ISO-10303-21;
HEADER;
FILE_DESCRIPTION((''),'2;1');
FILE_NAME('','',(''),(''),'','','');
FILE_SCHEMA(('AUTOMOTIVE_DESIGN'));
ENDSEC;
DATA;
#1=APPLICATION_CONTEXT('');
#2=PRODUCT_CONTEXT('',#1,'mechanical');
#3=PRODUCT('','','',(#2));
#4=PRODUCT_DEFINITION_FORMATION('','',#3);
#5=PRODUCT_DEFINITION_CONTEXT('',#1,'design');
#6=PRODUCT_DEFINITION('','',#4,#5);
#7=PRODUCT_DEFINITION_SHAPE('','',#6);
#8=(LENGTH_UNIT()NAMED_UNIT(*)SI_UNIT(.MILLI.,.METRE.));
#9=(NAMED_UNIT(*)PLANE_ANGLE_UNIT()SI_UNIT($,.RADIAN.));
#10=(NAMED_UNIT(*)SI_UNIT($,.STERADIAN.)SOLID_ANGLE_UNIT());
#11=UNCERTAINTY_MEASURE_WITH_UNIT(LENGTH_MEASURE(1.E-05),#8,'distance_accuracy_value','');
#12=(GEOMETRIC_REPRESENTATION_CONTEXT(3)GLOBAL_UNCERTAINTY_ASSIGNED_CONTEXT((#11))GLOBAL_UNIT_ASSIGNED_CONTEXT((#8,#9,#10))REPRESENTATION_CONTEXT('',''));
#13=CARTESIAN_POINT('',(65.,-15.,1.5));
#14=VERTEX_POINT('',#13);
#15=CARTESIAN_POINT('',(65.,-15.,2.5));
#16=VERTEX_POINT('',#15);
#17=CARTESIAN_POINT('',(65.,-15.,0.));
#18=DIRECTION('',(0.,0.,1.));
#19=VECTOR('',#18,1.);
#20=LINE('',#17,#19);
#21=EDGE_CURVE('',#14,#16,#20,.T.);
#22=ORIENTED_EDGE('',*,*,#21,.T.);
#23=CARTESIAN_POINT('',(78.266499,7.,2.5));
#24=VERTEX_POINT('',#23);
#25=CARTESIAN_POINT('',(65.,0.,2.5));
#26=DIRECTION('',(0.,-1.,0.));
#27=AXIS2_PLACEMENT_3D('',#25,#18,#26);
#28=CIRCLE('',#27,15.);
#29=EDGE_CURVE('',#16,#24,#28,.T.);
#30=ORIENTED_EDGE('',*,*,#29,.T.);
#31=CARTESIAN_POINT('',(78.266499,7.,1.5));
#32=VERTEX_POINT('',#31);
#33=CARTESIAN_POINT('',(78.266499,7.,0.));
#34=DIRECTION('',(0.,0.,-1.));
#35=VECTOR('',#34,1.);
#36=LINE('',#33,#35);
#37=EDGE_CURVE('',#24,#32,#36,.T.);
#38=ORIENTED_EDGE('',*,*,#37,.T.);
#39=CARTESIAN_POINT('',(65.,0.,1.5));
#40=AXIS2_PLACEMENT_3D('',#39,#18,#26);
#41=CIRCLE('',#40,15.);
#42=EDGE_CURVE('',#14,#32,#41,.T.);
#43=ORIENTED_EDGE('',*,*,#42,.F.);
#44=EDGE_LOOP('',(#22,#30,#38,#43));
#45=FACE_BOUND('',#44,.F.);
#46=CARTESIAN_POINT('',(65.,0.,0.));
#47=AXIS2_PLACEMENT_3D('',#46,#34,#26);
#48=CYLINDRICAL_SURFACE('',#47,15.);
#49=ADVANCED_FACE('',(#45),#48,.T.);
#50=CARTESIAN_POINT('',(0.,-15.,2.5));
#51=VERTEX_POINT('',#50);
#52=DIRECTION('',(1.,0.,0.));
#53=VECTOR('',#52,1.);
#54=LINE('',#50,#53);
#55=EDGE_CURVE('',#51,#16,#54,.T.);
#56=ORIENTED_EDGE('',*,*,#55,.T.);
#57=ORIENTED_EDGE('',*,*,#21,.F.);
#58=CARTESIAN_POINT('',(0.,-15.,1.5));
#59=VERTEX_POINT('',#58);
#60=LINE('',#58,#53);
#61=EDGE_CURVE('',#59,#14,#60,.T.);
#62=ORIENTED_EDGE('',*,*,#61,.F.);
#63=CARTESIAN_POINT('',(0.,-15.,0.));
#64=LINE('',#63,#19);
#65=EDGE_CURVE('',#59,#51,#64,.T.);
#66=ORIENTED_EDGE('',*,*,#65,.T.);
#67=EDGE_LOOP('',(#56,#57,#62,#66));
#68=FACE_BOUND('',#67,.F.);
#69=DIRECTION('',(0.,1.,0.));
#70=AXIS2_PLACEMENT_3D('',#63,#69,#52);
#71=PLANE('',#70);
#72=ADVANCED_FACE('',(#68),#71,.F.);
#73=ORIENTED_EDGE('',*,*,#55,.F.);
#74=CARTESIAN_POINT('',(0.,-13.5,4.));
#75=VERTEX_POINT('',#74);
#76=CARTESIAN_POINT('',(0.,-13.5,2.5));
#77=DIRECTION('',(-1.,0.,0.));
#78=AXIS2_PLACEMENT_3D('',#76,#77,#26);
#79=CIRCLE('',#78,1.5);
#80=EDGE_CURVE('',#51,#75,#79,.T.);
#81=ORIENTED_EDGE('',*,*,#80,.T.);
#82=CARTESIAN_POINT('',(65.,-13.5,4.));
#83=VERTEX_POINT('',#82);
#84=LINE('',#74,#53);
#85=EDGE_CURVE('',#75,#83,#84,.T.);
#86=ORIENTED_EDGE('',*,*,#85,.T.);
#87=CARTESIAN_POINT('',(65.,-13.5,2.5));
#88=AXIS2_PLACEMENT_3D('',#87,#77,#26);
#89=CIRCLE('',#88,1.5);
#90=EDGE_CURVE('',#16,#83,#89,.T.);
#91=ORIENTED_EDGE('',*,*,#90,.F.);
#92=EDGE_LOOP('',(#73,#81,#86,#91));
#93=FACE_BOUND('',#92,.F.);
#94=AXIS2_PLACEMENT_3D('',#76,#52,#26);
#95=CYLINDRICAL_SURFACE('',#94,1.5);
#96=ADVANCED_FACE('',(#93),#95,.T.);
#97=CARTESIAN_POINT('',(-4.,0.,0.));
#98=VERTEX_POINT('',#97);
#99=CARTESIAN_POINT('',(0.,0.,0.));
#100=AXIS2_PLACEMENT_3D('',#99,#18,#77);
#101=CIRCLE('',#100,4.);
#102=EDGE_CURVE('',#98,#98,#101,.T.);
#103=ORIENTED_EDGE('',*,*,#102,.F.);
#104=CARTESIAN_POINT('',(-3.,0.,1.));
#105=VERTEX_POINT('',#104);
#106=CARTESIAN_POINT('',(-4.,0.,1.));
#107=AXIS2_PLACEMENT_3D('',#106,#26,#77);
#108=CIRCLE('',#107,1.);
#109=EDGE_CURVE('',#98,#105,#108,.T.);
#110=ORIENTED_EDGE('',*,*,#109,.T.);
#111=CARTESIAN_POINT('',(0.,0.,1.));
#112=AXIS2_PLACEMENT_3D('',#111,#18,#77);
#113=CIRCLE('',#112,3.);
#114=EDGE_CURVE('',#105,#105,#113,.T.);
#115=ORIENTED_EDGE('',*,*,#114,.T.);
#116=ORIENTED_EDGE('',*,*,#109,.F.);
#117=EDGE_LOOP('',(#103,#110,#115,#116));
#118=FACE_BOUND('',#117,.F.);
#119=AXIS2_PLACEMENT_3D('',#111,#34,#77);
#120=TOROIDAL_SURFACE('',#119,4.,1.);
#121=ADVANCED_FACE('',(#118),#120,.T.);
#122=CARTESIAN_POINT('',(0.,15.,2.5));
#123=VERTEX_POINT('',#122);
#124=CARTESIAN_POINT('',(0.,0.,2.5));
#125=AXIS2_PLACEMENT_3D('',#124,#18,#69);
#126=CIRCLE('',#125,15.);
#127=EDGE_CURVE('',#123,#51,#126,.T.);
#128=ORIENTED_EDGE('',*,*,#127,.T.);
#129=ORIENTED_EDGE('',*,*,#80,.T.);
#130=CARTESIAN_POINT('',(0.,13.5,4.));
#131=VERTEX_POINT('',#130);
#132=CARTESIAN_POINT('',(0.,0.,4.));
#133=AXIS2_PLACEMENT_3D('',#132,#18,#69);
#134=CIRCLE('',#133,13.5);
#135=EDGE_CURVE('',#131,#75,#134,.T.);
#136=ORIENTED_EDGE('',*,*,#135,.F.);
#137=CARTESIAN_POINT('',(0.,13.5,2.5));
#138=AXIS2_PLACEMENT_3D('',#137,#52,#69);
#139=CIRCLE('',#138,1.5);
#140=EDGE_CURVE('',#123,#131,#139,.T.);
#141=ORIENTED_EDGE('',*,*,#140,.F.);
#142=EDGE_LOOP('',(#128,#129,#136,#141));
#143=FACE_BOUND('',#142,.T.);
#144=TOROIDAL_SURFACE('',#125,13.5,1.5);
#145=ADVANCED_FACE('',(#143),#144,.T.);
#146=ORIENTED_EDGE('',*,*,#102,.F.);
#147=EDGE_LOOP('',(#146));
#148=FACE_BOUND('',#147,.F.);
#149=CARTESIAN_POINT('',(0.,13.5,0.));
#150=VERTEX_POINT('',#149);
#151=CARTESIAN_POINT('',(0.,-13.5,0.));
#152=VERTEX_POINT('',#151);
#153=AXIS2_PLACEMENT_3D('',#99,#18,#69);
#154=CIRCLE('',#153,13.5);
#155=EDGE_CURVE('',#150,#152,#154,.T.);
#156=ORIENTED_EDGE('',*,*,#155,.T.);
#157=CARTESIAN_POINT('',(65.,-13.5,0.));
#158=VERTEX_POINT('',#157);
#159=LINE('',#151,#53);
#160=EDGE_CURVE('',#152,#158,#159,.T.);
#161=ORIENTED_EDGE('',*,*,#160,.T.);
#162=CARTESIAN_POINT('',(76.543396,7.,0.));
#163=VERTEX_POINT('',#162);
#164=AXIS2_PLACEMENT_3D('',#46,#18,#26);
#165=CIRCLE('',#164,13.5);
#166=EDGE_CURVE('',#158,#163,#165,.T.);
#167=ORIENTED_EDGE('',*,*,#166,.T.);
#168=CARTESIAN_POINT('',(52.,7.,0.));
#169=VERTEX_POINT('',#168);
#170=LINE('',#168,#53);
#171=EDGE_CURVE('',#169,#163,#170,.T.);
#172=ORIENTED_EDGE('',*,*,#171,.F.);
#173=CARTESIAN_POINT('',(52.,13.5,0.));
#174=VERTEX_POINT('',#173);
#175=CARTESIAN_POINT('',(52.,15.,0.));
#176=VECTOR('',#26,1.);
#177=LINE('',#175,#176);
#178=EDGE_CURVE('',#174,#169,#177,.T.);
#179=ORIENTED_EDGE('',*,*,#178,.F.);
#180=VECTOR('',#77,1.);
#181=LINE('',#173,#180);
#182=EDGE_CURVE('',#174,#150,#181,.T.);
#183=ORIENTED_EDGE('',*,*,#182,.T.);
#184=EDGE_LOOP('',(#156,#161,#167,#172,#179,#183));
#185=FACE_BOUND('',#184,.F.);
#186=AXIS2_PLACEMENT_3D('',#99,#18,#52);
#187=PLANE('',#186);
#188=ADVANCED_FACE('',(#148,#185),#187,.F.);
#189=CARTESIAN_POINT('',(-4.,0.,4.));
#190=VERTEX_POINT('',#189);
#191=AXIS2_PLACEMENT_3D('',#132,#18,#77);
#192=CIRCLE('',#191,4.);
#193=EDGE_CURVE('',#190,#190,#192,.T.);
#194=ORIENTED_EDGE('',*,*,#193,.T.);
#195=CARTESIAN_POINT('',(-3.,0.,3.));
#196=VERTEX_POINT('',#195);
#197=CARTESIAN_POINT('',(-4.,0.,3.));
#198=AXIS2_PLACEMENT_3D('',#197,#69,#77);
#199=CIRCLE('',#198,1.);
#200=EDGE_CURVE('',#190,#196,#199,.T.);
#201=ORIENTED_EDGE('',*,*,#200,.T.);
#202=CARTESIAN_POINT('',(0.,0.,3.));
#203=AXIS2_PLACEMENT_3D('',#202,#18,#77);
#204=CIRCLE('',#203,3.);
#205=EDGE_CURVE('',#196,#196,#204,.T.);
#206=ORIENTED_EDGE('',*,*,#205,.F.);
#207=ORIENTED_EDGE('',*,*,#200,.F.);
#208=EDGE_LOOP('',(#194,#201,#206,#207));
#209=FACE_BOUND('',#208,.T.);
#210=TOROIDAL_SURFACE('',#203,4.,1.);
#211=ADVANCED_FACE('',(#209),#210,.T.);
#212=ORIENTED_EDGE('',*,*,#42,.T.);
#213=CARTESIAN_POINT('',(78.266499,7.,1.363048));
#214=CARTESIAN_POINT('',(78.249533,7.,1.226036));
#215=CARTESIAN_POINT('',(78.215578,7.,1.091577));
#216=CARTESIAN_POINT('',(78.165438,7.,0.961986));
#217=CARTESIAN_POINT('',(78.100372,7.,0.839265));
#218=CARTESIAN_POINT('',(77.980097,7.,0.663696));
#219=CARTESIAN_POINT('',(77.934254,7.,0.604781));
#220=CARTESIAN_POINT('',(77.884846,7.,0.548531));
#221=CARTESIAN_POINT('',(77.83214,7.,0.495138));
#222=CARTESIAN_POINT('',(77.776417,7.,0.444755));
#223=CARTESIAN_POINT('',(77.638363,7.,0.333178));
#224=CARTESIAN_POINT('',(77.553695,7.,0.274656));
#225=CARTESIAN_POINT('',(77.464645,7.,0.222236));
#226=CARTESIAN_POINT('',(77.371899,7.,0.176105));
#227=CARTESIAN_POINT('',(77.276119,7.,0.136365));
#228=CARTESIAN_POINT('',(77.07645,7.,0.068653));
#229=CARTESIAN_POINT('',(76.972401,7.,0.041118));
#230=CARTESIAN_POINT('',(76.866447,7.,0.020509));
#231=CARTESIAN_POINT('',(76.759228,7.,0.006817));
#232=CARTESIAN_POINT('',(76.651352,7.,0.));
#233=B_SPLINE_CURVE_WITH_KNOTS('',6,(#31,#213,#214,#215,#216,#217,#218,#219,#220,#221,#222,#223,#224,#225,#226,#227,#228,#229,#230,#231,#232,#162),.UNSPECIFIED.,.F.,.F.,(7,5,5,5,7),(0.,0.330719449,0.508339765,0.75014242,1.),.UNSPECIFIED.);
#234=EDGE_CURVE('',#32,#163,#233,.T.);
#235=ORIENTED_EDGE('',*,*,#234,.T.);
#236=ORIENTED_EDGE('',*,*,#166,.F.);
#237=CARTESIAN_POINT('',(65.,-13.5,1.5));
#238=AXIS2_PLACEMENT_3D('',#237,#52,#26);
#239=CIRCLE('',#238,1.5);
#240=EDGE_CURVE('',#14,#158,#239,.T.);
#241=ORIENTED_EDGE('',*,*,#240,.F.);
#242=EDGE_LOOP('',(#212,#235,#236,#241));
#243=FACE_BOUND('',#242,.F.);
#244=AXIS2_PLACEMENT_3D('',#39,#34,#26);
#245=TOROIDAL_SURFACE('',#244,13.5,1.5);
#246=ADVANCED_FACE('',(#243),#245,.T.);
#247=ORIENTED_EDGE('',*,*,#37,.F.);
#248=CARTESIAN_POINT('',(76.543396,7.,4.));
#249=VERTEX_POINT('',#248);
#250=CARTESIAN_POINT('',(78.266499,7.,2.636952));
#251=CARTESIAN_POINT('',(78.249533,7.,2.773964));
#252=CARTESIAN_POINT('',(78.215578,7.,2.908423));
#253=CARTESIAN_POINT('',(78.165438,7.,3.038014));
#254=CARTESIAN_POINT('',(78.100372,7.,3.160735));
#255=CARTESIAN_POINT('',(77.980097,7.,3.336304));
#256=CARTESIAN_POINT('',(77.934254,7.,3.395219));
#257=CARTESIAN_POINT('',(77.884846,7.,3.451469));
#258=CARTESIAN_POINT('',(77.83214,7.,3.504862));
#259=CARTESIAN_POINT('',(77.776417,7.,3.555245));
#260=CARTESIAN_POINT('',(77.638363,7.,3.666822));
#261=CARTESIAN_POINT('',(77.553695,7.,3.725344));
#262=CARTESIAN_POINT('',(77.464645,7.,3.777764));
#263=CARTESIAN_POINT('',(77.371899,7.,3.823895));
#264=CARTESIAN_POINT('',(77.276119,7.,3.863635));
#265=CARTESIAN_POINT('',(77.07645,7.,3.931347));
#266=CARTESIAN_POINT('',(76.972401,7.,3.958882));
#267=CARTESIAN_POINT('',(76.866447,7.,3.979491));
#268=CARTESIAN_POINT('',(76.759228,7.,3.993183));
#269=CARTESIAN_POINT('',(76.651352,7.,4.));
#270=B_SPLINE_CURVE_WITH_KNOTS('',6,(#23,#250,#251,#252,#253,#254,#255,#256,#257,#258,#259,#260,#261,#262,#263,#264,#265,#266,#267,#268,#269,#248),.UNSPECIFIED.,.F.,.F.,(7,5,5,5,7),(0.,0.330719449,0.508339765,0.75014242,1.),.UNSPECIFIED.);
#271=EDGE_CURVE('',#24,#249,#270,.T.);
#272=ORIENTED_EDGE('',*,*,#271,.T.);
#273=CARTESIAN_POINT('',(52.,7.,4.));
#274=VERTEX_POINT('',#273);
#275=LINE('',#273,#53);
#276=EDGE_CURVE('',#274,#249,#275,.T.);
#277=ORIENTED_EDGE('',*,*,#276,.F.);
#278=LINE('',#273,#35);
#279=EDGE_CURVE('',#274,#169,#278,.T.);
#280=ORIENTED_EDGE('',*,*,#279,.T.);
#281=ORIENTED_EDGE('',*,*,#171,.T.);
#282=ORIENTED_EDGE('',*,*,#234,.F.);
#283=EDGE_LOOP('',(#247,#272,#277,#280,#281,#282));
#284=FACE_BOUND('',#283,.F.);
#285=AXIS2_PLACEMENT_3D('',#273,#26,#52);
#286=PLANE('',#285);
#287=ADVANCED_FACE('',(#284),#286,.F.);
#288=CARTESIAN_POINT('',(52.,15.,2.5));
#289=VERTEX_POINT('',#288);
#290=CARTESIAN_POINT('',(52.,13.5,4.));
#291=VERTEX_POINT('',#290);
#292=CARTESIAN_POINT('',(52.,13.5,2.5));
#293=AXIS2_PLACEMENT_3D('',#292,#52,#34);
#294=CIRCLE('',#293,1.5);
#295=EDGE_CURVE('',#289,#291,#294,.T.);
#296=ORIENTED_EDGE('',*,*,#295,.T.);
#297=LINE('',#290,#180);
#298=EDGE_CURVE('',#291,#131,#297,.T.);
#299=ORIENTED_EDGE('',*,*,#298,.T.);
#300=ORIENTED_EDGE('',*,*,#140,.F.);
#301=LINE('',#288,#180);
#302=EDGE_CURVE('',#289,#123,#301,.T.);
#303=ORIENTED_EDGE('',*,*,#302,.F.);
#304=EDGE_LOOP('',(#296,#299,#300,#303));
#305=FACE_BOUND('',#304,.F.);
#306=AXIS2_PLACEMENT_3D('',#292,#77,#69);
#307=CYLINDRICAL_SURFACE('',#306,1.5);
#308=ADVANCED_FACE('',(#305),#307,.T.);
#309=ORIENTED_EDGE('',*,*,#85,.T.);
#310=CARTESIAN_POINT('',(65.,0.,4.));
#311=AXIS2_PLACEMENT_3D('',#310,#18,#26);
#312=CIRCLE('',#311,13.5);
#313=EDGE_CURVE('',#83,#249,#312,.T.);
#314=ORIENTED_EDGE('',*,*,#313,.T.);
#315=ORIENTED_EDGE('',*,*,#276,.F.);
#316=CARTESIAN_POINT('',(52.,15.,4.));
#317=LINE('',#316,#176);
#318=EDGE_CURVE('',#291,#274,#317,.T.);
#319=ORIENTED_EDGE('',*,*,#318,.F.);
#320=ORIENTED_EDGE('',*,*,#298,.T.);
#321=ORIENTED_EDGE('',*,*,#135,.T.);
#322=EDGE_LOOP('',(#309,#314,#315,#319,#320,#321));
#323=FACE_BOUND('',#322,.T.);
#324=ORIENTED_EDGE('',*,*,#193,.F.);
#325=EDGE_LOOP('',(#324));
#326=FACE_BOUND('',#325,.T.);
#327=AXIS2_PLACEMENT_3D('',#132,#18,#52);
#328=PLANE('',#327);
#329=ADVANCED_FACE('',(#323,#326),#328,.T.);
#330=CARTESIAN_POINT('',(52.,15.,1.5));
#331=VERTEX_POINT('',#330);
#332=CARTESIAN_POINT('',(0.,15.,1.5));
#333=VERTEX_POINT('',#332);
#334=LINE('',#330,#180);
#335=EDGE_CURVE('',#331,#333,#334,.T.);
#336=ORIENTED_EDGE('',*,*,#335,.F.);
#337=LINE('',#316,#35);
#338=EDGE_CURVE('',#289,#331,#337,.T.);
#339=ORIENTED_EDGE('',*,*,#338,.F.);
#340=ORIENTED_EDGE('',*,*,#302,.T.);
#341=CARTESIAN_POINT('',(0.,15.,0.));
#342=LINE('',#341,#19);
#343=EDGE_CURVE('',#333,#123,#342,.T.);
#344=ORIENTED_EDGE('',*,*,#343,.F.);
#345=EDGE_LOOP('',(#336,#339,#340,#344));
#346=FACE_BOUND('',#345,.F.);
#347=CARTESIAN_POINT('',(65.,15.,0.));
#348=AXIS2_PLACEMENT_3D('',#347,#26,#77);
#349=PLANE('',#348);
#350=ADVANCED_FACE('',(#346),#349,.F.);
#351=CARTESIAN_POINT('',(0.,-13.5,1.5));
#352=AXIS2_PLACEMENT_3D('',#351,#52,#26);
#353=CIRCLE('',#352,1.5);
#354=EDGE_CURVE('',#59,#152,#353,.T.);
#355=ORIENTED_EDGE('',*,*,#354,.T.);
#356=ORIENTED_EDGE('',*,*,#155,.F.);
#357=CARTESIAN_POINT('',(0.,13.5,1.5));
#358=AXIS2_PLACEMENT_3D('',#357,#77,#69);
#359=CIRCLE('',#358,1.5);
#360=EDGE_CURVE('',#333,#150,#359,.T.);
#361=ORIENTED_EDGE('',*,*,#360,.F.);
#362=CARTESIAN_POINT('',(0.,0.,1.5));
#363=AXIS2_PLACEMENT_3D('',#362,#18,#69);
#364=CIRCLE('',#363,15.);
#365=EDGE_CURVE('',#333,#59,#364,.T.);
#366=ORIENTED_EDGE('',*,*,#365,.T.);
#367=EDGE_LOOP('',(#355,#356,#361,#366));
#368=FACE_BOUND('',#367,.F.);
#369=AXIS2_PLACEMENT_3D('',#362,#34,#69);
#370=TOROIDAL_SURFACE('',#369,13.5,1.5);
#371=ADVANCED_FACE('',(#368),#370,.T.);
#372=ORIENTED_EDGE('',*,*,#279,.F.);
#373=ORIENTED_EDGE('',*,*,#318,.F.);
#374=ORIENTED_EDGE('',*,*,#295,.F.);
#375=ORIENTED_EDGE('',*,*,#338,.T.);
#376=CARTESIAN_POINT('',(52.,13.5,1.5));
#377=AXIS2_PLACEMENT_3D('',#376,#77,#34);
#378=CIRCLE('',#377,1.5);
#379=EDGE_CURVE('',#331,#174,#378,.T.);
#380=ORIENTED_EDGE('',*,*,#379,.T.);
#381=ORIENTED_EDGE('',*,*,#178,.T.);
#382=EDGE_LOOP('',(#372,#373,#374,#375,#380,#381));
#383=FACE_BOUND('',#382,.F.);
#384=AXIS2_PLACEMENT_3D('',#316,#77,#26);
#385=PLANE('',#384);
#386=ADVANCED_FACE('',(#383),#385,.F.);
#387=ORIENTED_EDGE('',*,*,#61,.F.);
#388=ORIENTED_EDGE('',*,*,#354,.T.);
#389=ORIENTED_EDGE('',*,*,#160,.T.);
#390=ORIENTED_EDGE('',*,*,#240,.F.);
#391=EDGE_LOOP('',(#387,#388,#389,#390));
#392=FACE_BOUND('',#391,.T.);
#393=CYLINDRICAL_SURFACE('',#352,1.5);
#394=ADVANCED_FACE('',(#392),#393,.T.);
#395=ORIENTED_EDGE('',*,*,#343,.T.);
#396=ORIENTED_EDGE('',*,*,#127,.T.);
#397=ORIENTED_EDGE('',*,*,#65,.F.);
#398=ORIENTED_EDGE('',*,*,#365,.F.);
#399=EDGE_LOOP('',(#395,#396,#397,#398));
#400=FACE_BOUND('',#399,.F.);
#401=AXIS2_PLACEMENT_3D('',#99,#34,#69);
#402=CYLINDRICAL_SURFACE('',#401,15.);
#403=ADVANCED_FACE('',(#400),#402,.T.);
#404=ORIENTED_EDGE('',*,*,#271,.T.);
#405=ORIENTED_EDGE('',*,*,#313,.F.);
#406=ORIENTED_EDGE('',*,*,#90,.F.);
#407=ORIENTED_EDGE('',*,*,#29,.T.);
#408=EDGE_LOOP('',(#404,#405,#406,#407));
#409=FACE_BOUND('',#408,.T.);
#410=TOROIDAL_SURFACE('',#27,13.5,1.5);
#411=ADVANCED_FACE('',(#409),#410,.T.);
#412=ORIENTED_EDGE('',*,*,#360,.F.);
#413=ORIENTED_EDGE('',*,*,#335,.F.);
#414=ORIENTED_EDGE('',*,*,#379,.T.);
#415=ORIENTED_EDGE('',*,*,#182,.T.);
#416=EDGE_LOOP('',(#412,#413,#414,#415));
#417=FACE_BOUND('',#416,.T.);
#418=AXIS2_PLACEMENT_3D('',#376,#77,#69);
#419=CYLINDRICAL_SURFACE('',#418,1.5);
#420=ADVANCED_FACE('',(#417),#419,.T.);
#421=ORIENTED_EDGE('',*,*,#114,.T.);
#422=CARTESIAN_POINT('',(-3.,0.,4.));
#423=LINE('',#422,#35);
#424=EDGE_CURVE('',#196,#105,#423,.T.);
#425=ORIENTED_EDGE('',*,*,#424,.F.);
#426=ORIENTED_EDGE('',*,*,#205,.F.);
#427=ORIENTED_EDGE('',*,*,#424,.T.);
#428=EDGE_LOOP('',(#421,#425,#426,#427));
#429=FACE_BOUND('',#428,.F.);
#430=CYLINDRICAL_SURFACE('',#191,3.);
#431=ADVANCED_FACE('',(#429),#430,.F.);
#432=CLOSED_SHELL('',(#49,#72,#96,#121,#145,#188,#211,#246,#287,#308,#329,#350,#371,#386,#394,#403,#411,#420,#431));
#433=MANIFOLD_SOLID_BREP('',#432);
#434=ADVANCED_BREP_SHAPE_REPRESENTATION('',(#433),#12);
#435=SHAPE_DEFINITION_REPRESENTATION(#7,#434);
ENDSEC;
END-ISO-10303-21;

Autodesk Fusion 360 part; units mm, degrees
sketch "Sketch1" plane through (0, 0, 0) normal (0, 1, 0) x (1, 0, 0)
  line L0 (0, 0) -> (80, 0)
  line L1 (0, 0) -> (0, -65)
  line L2 (0, -65) -> (80, 0)
  dimension "d1" = 80
  dimension "d2" = 65
sketch "Sketch2" plane through (0, 0, 0) normal (0, 0, 1) x (1, 0, 0)
sketch "Sketch3" plane through (0, 0, 0) normal (0, 0, 1) x (1, 0, 0)
sketch "Sketch4" plane through (0, 0, 0) normal (0, 0, 1) x (1, 0, 0)
  line L0 (0, -15) -> (65, -15)
  arc A0 (65, -15) -> (65, 15) centre (65, 0) ccw
  line L1 (65, 15) -> (0, 15)
  arc A1 (0, 15) -> (0, -15) centre (0, 0) ccw
  line L2 (0, 0) -> (65, 0) construction
  dimension "d10" = 65
  dimension "d11" = 30
extrude "Extrude2" add sketch "Sketch4" along normal blind 4
sketch "Sketch5" plane through (0, 0, 4) normal (0, 0, 1) x (-1, 0, 0)
  arc A0 (0, -15) -> (0, 15) centre (0, 0) ccw
  line L0 (0, 15) -> (-65, 15)
  arc A1 (-65, 15) -> (-65, -15) centre (-65, 0) ccw
  line L1 (-65, -15) -> (0, -15)
sketch "Sketch6" plane through (0, 0, 4) normal (0, 0, 1) x (-1, 0, 0)
sketch "Sketch7" plane through (0, 0, 4) normal (0, 0, 1) x (-1, 0, 0)
  line L0 (-80, -15) -> (-52, -15)
  line L1 (-52, -15) -> (-52, -7)
  line L2 (-52, -7) -> (-80, -7)
  line L3 (-80, -7) -> (-80, -15)
  dimension "d18" = 28
  dimension "d19" = 8
extrude "Extrude3" cut sketch "Sketch7" against normal blind 4
sketch "Sketch8" plane through (0, 0, 4) normal (0, 0, 1) x (-1, 0, 0)
  circle A0 centre (0, 0) radius 3
  dimension "d22" = 6
extrude "Extrude4" cut sketch "Sketch8" against normal blind 4
fillet "Fillet1" radius 1.5 8 edges at (26, 15, 4) (-15, 0, 4) (32.5, -15, 4) (77.8452, -7.746, 4) (26, 15, 0) (-15, 0, 0) (32.5, -15, 0) (77.8452, -7.746, 0)
fillet "Fillet2" radius 1 2 edges at (2.797, 1.0848, 0) (2.797, -1.0848, 4)
